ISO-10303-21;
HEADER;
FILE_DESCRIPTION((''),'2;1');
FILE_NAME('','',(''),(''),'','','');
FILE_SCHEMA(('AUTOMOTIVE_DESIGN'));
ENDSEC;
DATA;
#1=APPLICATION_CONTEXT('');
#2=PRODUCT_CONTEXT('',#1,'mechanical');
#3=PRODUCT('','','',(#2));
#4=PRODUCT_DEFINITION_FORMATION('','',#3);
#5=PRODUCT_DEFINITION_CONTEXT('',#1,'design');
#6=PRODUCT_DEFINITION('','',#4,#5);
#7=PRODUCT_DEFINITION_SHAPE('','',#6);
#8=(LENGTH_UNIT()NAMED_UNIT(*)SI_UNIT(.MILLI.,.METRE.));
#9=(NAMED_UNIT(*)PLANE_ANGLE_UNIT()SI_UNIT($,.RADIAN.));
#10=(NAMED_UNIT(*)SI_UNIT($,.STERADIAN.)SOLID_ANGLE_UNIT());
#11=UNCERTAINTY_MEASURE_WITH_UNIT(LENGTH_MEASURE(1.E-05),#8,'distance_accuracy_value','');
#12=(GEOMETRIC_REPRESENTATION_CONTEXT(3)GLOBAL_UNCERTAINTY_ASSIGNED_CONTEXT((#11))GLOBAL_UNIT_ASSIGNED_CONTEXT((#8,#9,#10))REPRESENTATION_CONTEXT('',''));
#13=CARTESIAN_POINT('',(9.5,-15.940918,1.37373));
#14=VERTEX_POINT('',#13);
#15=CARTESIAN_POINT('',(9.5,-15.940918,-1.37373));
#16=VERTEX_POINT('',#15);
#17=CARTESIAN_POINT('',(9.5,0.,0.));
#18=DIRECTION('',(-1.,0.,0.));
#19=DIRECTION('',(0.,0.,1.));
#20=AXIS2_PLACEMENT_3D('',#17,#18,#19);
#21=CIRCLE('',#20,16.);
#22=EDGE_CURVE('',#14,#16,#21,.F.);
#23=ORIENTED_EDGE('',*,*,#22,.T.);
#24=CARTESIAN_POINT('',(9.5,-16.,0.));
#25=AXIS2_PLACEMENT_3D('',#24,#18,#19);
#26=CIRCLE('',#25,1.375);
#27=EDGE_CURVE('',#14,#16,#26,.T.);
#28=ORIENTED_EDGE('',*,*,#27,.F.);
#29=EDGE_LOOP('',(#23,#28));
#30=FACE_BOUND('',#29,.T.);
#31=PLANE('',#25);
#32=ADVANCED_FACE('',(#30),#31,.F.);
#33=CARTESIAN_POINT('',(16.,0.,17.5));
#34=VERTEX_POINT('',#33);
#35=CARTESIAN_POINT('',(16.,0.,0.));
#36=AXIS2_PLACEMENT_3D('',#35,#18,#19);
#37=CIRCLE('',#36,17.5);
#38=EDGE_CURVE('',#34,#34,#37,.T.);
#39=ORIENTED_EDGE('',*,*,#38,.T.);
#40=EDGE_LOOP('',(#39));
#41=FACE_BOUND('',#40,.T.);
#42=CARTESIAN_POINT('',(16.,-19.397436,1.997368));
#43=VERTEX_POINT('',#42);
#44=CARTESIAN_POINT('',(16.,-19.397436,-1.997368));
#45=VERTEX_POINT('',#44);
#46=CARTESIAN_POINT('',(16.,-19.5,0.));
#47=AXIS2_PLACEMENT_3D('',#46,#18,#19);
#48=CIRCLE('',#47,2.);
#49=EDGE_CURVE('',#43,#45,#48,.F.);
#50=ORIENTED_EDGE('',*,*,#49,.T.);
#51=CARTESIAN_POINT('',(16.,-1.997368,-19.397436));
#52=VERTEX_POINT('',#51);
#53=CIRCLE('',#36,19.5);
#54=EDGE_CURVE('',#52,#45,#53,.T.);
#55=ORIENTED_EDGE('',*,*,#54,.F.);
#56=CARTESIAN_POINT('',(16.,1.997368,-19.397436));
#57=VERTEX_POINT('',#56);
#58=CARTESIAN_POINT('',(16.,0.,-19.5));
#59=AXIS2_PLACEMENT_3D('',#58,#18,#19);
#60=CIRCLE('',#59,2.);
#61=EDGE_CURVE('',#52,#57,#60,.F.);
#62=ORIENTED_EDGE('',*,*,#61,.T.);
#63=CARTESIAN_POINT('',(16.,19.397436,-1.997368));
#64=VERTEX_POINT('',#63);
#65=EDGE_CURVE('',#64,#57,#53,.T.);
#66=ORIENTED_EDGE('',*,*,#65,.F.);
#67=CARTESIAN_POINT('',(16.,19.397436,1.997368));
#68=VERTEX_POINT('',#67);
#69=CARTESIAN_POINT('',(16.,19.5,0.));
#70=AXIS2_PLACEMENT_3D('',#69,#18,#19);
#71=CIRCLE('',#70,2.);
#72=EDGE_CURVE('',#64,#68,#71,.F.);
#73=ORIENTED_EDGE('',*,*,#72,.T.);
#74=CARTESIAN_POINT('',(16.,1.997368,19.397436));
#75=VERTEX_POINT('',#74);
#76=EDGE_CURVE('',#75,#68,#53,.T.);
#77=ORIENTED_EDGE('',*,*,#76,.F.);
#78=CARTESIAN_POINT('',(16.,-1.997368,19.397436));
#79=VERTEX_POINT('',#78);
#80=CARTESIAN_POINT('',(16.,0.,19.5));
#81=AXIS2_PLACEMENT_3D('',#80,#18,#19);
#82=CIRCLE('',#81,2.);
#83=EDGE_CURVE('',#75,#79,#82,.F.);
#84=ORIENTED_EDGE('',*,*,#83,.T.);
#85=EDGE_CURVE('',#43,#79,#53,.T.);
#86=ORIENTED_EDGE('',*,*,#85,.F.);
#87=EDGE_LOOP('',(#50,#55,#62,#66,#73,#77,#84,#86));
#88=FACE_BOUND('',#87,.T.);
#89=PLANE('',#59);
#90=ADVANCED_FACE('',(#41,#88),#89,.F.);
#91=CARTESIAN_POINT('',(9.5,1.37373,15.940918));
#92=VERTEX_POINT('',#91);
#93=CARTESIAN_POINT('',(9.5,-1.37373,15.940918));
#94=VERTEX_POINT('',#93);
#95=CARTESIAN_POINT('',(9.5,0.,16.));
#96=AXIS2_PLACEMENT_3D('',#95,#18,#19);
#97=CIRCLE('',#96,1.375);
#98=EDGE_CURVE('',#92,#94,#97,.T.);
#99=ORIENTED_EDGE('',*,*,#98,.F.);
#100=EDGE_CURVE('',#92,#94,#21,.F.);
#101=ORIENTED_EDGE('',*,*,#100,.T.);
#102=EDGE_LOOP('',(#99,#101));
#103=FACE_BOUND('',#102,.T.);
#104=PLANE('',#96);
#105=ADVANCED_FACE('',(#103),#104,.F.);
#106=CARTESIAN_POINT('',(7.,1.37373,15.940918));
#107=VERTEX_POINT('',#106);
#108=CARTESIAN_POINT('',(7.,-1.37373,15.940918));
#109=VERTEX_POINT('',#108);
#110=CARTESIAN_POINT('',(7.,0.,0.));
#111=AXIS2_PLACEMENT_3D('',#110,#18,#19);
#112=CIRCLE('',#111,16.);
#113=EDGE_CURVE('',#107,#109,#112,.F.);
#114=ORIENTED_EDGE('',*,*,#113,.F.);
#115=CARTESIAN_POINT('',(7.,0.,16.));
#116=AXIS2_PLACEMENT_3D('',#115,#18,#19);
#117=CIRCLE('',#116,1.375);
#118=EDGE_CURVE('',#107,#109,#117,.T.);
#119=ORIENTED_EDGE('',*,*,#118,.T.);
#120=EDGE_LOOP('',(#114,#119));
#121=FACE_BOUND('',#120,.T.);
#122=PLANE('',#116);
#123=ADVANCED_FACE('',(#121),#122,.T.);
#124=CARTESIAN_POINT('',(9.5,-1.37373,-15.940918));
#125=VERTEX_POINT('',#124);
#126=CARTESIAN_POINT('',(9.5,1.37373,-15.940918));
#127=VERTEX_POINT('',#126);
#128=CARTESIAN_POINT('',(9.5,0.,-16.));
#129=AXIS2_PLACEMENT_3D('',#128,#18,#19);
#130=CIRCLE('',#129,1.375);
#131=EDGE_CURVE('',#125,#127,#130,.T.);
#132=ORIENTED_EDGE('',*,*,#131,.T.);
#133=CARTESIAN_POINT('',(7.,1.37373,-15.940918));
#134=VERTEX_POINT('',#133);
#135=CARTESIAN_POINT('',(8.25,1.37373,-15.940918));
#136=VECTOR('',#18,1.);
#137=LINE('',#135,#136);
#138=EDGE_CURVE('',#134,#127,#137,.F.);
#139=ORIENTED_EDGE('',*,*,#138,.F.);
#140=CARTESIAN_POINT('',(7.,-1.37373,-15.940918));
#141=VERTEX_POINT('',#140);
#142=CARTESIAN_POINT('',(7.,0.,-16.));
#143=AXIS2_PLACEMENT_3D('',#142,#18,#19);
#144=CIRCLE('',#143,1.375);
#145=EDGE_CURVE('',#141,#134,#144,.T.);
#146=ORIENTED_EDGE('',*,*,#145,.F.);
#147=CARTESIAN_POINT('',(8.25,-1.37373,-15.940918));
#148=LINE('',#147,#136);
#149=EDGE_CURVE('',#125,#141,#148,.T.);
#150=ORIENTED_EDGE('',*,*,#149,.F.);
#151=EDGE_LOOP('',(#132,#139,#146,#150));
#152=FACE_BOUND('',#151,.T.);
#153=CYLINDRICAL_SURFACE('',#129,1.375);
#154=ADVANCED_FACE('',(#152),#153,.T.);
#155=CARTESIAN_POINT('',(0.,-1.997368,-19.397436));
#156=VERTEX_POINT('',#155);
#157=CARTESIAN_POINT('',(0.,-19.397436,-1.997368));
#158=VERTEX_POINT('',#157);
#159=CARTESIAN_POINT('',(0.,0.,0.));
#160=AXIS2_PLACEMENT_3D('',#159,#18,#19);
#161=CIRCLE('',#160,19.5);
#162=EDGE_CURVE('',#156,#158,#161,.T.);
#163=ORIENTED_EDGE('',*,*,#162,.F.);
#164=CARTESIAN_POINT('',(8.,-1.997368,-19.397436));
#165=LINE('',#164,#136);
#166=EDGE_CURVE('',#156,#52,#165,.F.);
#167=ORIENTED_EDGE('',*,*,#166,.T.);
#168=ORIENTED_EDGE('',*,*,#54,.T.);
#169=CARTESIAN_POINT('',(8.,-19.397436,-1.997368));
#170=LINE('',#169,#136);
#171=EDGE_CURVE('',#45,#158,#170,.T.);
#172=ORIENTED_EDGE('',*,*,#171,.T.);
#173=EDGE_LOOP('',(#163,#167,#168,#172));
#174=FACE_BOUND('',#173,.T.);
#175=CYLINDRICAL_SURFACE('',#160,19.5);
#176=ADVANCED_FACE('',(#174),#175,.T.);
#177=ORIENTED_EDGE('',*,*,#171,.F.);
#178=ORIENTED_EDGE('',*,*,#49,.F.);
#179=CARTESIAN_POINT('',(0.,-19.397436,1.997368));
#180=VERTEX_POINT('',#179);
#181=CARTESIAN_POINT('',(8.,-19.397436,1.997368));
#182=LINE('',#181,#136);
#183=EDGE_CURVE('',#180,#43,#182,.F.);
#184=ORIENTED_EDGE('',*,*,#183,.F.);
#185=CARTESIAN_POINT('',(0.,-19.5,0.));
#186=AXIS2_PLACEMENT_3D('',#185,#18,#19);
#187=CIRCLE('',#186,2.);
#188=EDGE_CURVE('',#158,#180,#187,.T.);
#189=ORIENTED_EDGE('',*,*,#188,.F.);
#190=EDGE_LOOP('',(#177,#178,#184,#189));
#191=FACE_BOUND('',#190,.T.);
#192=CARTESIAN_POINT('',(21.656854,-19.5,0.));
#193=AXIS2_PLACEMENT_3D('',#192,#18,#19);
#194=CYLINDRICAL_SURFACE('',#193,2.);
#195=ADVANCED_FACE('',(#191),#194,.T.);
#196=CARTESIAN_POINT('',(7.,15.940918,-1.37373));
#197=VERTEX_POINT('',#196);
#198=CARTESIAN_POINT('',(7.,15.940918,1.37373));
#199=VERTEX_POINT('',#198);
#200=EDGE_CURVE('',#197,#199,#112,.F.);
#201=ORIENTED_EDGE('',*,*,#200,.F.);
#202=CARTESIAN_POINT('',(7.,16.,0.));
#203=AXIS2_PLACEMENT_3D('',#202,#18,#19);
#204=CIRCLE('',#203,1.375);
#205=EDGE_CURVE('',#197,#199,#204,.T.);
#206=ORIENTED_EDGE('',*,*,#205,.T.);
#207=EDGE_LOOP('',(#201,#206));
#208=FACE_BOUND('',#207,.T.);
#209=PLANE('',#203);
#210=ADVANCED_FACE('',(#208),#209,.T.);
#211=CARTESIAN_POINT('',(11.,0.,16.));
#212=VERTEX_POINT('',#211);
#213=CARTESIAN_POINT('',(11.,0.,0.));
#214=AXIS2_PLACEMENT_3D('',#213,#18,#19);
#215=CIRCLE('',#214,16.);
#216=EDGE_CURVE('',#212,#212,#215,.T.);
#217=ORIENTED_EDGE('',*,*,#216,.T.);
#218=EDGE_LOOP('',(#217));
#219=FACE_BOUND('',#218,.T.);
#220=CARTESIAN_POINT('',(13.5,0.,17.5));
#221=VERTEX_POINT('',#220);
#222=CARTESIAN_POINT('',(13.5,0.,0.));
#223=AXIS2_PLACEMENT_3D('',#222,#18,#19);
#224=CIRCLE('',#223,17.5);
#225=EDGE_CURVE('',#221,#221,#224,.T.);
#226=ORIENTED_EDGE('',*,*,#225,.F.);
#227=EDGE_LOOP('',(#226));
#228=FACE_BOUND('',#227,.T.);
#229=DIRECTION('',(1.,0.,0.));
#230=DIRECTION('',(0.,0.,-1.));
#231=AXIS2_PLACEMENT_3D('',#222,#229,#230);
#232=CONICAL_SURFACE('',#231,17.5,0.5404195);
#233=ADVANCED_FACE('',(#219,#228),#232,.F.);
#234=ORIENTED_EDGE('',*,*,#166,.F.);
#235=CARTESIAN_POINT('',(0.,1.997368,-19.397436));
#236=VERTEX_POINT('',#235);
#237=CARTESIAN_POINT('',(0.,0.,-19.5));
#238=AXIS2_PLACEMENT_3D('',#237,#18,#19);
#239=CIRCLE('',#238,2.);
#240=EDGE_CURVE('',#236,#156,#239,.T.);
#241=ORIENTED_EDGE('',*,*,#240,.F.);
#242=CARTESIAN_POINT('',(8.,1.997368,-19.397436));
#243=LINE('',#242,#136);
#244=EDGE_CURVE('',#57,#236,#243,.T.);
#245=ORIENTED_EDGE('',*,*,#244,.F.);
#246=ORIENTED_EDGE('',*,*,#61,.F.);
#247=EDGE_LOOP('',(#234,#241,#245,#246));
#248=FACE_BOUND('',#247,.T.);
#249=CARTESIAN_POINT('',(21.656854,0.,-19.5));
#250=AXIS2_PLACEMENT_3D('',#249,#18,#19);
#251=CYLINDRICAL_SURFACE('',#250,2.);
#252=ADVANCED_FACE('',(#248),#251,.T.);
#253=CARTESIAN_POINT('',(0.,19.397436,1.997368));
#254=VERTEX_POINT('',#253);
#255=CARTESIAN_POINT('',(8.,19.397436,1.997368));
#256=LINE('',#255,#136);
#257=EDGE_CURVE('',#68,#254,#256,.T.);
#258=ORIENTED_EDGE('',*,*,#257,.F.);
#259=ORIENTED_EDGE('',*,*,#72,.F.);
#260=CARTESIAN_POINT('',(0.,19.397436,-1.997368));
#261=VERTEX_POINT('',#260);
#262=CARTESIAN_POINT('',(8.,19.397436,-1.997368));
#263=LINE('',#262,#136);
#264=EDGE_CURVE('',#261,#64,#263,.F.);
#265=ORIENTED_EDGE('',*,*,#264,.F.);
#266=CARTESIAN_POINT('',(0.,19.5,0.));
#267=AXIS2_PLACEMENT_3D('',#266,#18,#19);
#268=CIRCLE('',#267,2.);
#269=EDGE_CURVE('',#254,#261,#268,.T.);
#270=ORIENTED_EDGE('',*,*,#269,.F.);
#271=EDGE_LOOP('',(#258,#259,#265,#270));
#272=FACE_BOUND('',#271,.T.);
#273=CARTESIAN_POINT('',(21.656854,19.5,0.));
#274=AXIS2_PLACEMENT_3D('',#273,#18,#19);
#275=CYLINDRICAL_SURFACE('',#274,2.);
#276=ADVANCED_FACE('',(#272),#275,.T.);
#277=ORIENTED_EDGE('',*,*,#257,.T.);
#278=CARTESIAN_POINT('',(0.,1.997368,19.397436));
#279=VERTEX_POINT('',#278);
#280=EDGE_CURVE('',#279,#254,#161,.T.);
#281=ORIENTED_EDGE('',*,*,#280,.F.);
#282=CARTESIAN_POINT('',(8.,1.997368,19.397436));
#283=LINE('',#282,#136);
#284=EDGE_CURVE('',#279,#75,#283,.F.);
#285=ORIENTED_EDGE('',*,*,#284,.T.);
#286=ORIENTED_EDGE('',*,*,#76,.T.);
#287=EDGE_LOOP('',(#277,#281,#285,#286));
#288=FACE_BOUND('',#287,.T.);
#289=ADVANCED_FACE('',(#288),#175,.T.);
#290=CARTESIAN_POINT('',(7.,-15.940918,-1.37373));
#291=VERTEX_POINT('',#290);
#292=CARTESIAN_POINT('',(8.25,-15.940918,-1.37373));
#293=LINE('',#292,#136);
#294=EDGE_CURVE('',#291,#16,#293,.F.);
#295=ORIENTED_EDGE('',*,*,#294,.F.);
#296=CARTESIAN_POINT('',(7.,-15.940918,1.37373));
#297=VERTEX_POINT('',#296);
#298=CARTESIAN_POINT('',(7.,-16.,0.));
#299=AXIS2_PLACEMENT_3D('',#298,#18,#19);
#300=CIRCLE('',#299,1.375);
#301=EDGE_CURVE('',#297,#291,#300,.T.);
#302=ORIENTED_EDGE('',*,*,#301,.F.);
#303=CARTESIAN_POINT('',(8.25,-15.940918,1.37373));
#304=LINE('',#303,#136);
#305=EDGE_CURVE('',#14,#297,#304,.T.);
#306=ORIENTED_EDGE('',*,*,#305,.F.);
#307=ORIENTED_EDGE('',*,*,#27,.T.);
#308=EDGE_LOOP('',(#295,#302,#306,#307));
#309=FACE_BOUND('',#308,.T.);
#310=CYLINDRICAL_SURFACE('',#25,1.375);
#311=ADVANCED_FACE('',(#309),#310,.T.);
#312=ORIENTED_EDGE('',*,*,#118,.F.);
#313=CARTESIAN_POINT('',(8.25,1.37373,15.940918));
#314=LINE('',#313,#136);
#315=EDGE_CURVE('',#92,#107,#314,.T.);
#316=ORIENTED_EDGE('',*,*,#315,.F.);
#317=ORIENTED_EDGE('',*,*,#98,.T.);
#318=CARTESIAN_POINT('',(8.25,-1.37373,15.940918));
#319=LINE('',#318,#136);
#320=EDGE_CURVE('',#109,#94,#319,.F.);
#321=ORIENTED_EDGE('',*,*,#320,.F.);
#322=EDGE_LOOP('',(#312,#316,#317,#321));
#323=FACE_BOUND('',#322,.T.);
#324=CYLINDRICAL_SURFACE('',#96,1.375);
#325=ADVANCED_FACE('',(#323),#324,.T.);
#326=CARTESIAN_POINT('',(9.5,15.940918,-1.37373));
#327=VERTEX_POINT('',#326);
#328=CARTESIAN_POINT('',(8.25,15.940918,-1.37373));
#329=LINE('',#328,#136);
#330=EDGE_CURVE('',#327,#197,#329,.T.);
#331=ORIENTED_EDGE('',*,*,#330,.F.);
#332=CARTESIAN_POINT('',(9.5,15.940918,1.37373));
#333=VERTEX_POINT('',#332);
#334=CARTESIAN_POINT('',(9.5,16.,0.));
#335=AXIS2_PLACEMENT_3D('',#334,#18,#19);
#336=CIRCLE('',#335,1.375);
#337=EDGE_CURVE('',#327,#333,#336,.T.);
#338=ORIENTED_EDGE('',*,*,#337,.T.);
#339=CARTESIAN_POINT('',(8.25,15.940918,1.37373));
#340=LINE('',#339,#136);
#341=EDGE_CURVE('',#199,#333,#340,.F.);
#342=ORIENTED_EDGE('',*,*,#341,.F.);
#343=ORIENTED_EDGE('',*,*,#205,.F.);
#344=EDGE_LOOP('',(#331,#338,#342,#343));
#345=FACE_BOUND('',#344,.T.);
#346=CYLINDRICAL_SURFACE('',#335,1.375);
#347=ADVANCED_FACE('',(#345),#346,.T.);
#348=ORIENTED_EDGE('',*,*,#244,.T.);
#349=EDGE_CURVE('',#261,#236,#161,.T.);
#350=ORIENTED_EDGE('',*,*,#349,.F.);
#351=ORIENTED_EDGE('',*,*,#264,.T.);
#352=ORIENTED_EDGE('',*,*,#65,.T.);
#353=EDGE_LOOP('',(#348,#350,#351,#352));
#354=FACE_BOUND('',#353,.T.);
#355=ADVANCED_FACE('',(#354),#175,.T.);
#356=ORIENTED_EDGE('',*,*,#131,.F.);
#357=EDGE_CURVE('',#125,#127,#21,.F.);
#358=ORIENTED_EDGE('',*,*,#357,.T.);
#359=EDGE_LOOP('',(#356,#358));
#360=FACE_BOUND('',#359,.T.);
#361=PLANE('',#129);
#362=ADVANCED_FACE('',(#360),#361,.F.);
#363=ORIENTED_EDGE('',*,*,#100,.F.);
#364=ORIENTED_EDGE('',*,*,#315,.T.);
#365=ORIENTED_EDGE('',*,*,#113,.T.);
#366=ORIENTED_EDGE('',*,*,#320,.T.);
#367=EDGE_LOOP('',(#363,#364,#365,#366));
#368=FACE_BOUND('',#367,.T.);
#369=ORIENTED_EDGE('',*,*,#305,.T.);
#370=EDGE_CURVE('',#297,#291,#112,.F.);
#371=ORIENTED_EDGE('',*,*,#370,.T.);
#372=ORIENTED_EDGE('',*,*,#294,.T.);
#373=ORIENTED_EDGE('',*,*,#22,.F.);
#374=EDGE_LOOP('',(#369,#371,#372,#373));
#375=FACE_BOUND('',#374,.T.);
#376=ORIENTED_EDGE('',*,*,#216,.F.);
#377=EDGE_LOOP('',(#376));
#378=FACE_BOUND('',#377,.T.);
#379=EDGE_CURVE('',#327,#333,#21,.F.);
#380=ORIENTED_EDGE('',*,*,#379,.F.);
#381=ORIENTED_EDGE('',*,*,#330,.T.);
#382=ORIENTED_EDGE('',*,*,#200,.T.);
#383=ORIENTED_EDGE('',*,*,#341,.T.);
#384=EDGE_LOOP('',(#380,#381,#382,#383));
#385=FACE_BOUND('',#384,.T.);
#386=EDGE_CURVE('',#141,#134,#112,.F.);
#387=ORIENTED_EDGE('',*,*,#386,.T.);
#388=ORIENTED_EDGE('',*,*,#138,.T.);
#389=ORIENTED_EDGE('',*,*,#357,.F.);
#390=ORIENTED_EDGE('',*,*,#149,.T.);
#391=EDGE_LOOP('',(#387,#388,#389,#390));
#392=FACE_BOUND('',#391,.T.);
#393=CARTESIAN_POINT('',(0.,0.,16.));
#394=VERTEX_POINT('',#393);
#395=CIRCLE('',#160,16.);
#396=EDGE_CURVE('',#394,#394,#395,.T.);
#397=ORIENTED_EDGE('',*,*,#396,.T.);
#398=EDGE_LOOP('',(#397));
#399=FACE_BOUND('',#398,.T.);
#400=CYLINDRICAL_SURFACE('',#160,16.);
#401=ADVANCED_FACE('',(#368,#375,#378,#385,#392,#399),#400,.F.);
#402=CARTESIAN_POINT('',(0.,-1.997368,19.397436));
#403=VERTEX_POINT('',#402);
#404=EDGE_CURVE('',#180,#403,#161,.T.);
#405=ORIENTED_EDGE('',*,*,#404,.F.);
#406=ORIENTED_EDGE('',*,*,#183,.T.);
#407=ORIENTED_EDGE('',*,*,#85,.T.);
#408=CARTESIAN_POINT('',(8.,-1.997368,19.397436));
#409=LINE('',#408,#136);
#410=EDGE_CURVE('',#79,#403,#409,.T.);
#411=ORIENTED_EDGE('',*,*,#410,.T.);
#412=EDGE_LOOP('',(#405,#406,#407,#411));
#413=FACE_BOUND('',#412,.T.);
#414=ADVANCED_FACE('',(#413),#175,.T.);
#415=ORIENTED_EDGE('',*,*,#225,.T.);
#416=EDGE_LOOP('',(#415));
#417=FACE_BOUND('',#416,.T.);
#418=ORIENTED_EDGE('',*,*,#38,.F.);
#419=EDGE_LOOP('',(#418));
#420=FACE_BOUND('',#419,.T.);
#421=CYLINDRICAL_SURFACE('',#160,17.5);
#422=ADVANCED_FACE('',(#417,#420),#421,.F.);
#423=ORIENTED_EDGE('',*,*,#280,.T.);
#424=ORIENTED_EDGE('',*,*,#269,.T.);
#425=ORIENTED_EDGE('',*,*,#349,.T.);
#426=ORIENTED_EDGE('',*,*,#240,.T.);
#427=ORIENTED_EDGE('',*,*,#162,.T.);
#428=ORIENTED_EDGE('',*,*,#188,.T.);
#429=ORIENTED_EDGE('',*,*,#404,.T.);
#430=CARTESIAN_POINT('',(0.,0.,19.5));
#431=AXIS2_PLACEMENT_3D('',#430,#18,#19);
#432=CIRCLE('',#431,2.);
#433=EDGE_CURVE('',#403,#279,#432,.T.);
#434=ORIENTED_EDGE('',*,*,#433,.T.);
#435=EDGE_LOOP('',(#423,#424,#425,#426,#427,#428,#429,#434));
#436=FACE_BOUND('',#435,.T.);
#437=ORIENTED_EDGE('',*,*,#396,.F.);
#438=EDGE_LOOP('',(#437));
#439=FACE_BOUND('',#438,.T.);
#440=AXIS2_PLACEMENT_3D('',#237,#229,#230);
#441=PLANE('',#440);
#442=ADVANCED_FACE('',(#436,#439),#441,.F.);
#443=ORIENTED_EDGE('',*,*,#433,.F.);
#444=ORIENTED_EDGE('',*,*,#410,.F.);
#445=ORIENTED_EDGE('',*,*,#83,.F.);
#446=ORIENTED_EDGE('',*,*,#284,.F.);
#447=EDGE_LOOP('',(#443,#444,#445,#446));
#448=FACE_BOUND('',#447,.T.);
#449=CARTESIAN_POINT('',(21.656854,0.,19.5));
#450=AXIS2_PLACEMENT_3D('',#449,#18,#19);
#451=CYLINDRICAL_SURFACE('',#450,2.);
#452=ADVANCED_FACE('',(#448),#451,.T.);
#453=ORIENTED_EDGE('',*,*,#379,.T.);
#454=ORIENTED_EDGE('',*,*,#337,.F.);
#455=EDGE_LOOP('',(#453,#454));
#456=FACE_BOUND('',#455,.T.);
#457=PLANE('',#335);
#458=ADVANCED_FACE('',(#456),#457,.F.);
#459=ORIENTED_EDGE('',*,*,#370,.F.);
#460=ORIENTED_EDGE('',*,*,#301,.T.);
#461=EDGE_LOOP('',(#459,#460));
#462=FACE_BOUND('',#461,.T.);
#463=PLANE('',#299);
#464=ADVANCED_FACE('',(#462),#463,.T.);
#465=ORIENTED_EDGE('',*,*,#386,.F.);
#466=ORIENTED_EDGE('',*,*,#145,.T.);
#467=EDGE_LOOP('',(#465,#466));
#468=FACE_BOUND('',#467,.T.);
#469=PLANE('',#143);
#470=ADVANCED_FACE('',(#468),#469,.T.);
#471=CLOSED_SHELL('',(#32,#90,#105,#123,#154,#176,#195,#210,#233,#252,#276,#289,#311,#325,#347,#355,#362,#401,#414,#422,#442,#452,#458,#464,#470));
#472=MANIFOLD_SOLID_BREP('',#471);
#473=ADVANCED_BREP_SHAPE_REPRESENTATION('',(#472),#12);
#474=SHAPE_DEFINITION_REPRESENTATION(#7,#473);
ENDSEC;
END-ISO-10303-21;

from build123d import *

# Parameters (mm, degrees)
SKETCH1_W           = 16
SKETCH1_H           = 3.5
BOSS_EXTRUDE1_START = -7
SKETCH3_R           = 1.375
BOSS_EXTRUDE1_DEPTH = 2.5
SKETCH4_R           = 2
BOSS_EXTRUDE2_DEPTH = 16


with BuildPart() as part:
    # Sketch1 → Revolve1 (revolve)
    with BuildSketch(Plane(origin=(0, 0, 0), x_dir=(1, 0, 0), z_dir=(0, 1, 0)), mode=Mode.PRIVATE) as revolve1_sk:
        with Locations((8, 17.75)):
            Rectangle(SKETCH1_W, SKETCH1_H)
    revolve(revolve1_sk.sketch.rotate(Axis((0, 0, 0), (1, 0, 0)), 180), axis=Axis((0, 0, 0), (1, 0, 0)))

    # Sketch2 → Cut-Revolve1 (revolve, cut)
    with BuildSketch(Plane(origin=(0, 0, 0), x_dir=(1, 0, 0), z_dir=(0, 1, 0)), mode=Mode.PRIVATE) as cut_revolve1_sk:
        Polygon((16, 17.5), (13.5, 17.5), (11, 16), (16, 16), align=None)
    revolve(cut_revolve1_sk.sketch.rotate(Axis((0, 0, 0), (1, 0, 0)), 180), axis=Axis((0, 0, 0), (1, 0, 0)), mode=Mode.SUBTRACT)

    # Sketch3 → Boss-Extrude1 (add)
    with BuildSketch(Plane.ZY.offset(BOSS_EXTRUDE1_START)):
        with Locations((0, 16)):
            Circle(SKETCH3_R)
        with Locations((16, 0)):
            Circle(SKETCH3_R)
        with Locations((0, -16)):
            Circle(SKETCH3_R)
        with Locations((-16, 0)):
            Circle(SKETCH3_R)
    extrude(amount=-BOSS_EXTRUDE1_DEPTH)

    # Sketch4 → Boss-Extrude2 (add)
    with BuildSketch(Plane.ZY):
        with Locations((0, 19.5)):
            Circle(SKETCH4_R)
        with Locations((19.5, 0)):
            Circle(SKETCH4_R)
        with Locations((0, -19.5)):
            Circle(SKETCH4_R)
        with Locations((-19.5, 0)):
            Circle(SKETCH4_R)
    extrude(amount=-BOSS_EXTRUDE2_DEPTH)


solid = part.part
